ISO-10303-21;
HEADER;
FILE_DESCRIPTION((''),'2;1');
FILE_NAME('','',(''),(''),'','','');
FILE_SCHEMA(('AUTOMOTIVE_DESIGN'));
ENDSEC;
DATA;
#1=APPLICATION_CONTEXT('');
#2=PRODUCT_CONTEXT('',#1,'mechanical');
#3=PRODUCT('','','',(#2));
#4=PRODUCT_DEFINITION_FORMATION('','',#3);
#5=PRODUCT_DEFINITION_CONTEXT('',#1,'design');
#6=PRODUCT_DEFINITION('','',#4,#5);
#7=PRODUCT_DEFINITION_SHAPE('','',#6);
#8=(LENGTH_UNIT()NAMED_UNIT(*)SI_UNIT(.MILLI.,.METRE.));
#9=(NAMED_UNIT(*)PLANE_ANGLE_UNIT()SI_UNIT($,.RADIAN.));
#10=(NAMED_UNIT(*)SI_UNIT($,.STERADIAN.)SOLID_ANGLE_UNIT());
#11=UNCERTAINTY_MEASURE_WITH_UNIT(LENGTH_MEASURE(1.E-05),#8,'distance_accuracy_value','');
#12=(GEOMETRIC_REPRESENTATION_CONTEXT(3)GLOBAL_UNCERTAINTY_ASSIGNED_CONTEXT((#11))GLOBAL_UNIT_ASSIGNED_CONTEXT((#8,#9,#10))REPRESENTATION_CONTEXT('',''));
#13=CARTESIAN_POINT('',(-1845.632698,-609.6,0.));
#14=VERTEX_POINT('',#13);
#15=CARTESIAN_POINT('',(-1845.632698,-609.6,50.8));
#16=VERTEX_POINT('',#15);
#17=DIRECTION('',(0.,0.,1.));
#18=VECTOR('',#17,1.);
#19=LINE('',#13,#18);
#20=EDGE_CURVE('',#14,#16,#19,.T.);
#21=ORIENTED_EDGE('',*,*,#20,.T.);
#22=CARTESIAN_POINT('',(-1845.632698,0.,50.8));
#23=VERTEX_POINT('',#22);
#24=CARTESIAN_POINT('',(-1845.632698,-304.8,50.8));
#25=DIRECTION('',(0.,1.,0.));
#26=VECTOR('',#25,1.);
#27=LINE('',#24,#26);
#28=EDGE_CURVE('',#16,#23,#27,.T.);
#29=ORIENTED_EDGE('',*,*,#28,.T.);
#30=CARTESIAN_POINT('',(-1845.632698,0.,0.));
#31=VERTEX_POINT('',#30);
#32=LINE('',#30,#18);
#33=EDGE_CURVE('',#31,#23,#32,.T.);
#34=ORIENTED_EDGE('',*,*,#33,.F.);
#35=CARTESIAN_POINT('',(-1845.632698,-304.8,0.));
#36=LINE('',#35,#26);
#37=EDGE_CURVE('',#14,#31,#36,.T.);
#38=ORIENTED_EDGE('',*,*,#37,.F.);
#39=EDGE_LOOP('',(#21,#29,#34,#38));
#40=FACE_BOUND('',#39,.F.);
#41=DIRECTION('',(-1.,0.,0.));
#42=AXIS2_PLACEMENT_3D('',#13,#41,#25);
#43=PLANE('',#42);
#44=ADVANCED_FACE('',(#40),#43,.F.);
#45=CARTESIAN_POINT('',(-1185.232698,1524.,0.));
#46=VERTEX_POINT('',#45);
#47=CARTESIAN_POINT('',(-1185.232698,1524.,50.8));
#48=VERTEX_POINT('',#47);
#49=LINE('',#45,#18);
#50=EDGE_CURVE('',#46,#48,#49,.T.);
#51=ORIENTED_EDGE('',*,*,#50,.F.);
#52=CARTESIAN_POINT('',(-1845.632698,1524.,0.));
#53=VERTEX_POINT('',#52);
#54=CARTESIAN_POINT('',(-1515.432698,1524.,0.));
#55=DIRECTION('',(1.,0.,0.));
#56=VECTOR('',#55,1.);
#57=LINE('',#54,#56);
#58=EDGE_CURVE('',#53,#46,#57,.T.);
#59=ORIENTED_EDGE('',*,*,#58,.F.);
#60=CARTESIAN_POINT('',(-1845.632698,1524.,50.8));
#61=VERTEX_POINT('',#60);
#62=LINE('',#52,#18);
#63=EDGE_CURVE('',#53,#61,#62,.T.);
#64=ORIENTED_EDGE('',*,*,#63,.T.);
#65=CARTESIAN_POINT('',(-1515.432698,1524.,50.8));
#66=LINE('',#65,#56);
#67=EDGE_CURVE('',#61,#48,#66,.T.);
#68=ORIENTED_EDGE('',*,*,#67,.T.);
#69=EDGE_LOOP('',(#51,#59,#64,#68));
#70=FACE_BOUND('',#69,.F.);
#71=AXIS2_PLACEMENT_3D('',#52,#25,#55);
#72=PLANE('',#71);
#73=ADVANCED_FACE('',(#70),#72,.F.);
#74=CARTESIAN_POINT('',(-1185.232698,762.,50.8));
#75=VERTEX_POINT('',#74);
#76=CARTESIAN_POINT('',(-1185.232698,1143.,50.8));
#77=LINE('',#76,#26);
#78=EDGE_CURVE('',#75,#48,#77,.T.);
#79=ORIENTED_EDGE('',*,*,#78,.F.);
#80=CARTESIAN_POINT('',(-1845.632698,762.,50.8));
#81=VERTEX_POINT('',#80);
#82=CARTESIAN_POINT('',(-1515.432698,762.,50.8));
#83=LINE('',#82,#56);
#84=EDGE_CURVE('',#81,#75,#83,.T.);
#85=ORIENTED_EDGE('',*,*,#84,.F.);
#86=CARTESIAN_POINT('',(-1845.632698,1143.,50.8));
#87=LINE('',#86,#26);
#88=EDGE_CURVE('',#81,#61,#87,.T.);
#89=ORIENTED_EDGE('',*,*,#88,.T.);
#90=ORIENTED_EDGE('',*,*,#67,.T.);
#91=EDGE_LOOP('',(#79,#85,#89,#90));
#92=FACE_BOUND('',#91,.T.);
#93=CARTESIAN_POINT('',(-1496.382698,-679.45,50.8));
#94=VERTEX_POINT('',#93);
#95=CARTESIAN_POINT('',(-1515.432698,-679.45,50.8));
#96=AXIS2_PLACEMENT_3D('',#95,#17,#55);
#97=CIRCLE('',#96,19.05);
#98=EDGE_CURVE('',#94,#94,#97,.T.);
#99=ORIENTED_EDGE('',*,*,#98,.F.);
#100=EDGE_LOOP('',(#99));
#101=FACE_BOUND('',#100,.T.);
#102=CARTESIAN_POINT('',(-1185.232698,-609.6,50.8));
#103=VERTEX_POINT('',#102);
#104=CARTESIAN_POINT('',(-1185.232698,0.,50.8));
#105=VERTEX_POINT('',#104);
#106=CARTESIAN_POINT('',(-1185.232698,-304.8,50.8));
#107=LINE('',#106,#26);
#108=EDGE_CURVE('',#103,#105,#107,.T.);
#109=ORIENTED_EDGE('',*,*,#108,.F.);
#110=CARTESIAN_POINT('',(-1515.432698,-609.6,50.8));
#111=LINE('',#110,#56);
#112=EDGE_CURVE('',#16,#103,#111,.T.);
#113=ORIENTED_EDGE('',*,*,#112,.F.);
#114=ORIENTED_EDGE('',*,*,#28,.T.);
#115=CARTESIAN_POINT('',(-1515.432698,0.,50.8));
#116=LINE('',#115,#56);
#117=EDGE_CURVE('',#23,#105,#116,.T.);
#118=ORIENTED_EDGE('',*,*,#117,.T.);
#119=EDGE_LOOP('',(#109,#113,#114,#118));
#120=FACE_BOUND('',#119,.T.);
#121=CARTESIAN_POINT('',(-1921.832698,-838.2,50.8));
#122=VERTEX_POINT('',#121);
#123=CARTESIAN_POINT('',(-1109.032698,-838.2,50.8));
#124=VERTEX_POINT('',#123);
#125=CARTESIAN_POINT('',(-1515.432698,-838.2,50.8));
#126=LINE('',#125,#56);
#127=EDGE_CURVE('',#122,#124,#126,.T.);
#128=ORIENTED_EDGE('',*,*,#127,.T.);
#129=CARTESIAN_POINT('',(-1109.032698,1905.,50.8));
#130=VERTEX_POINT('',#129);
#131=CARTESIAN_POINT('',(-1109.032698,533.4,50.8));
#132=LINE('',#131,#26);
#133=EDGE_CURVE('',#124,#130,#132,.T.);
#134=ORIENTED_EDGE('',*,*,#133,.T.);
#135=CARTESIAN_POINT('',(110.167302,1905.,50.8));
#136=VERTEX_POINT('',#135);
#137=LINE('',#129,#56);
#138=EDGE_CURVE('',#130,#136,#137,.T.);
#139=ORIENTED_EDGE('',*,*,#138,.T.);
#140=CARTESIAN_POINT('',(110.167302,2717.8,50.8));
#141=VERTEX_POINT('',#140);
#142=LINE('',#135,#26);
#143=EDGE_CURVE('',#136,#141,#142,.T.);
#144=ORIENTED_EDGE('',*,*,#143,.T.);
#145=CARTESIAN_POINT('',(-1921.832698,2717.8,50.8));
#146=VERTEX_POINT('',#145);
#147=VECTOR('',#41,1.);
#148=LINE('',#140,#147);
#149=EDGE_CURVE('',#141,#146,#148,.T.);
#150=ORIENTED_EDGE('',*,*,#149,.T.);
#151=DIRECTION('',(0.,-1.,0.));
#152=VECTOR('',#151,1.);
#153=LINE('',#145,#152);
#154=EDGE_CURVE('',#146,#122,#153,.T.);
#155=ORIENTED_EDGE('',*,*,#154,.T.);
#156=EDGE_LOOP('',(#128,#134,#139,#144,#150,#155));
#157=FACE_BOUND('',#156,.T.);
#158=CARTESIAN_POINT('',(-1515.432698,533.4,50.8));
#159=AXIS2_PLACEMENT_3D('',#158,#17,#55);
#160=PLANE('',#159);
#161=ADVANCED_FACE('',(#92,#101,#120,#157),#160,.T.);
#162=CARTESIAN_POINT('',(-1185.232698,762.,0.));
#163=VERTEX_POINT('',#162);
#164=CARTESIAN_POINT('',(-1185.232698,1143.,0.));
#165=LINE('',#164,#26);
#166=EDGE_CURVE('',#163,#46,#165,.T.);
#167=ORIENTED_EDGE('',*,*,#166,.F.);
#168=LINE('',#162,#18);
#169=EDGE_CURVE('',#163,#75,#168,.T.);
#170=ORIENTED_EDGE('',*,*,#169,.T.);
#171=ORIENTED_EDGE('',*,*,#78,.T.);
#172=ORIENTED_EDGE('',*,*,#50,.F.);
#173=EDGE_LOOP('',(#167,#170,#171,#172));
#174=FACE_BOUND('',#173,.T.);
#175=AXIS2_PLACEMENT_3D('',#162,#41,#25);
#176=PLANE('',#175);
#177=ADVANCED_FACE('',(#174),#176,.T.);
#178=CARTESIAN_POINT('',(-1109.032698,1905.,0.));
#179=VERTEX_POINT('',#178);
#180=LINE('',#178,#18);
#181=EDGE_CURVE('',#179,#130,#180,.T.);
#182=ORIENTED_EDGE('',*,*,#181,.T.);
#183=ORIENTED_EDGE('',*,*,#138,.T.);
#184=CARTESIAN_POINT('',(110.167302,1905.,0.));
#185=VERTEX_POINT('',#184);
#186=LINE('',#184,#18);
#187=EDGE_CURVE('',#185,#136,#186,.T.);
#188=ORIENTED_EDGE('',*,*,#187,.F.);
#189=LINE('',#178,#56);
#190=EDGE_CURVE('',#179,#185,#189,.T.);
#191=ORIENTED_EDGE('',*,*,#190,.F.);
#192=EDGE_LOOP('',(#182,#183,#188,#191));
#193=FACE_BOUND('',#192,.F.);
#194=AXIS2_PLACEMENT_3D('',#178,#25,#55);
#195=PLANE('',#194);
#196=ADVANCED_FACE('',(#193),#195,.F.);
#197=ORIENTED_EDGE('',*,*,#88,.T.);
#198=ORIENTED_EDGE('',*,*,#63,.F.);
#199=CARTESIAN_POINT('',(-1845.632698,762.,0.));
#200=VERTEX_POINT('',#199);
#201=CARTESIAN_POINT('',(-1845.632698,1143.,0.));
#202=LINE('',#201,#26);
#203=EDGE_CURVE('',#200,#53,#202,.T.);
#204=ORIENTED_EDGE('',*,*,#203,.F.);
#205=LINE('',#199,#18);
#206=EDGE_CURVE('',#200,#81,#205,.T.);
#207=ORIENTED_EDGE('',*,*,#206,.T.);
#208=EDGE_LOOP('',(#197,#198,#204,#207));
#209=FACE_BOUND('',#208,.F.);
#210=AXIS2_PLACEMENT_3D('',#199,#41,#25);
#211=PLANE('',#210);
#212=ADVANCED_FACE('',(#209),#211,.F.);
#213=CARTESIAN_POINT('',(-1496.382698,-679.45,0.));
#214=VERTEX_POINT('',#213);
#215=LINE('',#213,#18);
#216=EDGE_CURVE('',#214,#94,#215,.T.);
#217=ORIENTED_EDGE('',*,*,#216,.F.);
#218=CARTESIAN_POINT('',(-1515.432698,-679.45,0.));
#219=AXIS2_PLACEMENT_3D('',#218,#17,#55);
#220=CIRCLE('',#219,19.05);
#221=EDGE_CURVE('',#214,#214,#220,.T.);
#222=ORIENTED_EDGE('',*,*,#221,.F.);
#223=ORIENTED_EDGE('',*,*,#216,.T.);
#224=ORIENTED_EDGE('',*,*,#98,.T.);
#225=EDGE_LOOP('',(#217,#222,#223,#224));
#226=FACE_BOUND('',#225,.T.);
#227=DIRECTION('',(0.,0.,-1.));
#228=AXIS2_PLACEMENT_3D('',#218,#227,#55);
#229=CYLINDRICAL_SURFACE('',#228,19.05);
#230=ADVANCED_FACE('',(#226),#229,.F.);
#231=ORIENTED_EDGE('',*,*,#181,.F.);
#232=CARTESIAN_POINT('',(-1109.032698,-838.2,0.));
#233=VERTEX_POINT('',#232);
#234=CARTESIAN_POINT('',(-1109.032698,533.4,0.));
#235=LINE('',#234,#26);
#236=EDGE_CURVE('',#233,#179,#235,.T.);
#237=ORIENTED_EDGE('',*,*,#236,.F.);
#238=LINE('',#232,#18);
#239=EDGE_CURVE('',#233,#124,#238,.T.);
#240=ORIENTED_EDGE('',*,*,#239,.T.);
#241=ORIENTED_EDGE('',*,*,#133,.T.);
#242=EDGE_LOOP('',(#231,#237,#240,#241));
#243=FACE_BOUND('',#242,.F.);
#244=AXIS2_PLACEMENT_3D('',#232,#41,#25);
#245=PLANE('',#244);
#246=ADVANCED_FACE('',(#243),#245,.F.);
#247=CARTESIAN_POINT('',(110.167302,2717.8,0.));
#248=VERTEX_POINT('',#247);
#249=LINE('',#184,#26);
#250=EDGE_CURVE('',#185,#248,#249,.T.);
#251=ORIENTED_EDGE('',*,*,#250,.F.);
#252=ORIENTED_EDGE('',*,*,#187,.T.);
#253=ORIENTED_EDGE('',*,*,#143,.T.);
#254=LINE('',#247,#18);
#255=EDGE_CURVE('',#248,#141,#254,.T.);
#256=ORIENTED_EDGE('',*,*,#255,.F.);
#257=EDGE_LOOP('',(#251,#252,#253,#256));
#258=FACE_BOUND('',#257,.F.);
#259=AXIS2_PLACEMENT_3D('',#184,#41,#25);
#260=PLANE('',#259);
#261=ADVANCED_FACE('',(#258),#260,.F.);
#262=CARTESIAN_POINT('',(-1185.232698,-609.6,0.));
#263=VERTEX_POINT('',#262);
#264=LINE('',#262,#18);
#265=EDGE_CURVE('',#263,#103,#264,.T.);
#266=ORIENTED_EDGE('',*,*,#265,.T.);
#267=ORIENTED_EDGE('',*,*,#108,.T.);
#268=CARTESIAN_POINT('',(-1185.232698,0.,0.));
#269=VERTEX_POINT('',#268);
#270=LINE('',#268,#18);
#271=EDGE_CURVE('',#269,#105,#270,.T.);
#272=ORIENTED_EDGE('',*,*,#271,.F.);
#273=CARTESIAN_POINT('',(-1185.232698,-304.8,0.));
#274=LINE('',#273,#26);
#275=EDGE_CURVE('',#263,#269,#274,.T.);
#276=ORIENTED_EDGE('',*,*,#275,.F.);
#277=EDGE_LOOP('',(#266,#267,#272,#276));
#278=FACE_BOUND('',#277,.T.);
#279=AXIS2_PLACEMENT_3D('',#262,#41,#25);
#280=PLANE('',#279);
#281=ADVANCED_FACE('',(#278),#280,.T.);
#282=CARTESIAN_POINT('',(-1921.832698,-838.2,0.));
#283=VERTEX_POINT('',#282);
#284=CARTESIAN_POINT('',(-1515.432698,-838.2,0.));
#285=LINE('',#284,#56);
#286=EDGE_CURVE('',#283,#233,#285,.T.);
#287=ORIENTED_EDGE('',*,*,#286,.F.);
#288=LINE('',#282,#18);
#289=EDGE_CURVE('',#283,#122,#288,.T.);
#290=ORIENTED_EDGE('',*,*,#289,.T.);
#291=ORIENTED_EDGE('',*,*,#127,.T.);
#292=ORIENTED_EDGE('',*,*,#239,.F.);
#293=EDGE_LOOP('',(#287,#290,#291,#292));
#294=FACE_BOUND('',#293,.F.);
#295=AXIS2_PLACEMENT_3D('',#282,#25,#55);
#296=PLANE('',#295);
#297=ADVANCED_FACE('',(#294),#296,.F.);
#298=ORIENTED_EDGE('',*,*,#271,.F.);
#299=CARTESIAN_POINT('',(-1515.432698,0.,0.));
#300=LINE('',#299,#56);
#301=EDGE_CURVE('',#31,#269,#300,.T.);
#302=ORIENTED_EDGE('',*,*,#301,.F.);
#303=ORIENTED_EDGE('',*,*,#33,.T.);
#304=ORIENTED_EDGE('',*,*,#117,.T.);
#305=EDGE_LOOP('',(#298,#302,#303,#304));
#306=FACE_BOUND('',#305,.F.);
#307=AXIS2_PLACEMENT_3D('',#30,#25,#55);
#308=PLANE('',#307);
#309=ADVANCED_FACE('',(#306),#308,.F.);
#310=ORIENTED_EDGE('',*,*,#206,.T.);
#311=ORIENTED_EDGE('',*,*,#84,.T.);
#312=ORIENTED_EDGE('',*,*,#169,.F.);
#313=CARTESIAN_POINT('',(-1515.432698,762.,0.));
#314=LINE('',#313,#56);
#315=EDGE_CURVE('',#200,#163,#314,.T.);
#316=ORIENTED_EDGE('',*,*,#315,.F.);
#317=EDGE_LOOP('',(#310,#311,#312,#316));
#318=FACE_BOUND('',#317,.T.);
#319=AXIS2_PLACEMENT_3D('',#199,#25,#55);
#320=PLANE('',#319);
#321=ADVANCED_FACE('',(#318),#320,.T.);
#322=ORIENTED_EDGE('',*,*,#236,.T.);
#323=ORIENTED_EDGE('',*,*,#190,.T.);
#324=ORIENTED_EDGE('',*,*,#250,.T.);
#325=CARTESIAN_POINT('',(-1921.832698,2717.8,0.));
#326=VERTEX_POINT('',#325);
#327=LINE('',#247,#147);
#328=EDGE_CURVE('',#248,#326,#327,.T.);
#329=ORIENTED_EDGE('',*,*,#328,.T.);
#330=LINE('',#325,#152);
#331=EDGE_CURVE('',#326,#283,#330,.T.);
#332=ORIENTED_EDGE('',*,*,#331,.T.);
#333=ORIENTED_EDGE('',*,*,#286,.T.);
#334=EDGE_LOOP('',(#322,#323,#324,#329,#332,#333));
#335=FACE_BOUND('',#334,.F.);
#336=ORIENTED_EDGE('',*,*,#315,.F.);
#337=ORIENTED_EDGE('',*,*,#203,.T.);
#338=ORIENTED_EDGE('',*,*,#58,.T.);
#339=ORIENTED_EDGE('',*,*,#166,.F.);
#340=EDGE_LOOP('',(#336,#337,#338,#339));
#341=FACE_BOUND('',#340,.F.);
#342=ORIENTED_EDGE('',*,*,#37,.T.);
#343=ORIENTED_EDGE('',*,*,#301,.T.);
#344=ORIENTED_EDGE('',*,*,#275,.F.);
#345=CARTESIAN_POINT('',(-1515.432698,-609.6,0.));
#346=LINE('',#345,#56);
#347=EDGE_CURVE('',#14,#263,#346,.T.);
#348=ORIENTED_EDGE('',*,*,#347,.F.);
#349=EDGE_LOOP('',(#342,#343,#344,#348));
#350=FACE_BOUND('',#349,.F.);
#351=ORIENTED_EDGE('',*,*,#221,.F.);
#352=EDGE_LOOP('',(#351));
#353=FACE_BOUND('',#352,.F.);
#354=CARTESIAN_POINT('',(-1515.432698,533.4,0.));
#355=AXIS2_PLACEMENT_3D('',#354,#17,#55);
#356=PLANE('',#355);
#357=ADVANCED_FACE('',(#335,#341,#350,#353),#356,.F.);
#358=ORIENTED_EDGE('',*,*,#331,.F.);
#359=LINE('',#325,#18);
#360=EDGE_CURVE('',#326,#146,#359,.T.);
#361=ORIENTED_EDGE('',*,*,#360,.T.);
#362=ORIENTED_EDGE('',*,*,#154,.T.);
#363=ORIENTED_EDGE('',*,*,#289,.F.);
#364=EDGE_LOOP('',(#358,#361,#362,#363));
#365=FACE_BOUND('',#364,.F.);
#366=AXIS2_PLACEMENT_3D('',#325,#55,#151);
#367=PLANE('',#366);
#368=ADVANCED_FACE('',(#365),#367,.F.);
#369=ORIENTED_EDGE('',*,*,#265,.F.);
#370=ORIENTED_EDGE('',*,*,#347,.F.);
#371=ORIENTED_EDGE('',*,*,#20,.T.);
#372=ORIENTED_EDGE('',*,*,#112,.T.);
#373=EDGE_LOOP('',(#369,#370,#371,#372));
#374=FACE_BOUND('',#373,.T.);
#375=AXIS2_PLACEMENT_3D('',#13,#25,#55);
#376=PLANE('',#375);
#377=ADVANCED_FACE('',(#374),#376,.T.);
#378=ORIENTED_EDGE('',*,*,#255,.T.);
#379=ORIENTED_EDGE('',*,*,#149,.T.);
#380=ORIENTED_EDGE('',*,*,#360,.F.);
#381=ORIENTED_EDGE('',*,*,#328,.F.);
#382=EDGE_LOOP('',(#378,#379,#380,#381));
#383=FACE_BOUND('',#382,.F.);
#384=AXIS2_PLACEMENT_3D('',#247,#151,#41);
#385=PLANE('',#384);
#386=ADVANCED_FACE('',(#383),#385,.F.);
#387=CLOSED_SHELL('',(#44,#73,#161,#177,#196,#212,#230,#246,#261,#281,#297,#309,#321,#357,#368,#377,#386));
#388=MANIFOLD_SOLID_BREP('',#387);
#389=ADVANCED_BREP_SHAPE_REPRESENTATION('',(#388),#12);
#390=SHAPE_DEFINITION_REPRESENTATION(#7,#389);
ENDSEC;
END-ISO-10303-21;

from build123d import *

# Parameters (mm, degrees)
F0_W     = 812.8
F0_H     = 2743.2
F0_R     = 19.05
F0_W_2   = 660.4
F0_H_2   = 609.6
F0_H_3   = 762
F1_DEPTH = 50.8


with BuildPart() as f1:
    # F0 (on Top) → F1 (new body)
    with BuildSketch(Plane.XY):
        with Locations((-1515.432698, 533.4)):
            Rectangle(F0_W, F0_H)
        with Locations((-1515.432698, -679.45)):
            Circle(F0_R, mode=Mode.SUBTRACT)
        with Locations((-1515.432698, -304.8)):
            Rectangle(F0_W_2, F0_H_2, mode=Mode.SUBTRACT)
        with Locations((-1515.432698, 1143)):
            Rectangle(F0_W_2, F0_H_3, mode=Mode.SUBTRACT)
        Polygon((110.167302, 2717.8), (-1921.832698, 2717.8), (-1921.832698, 1905), (-1109.032698, 1905), (110.167302, 1905), align=None)
    extrude(amount=F1_DEPTH)


solid = f1.part
